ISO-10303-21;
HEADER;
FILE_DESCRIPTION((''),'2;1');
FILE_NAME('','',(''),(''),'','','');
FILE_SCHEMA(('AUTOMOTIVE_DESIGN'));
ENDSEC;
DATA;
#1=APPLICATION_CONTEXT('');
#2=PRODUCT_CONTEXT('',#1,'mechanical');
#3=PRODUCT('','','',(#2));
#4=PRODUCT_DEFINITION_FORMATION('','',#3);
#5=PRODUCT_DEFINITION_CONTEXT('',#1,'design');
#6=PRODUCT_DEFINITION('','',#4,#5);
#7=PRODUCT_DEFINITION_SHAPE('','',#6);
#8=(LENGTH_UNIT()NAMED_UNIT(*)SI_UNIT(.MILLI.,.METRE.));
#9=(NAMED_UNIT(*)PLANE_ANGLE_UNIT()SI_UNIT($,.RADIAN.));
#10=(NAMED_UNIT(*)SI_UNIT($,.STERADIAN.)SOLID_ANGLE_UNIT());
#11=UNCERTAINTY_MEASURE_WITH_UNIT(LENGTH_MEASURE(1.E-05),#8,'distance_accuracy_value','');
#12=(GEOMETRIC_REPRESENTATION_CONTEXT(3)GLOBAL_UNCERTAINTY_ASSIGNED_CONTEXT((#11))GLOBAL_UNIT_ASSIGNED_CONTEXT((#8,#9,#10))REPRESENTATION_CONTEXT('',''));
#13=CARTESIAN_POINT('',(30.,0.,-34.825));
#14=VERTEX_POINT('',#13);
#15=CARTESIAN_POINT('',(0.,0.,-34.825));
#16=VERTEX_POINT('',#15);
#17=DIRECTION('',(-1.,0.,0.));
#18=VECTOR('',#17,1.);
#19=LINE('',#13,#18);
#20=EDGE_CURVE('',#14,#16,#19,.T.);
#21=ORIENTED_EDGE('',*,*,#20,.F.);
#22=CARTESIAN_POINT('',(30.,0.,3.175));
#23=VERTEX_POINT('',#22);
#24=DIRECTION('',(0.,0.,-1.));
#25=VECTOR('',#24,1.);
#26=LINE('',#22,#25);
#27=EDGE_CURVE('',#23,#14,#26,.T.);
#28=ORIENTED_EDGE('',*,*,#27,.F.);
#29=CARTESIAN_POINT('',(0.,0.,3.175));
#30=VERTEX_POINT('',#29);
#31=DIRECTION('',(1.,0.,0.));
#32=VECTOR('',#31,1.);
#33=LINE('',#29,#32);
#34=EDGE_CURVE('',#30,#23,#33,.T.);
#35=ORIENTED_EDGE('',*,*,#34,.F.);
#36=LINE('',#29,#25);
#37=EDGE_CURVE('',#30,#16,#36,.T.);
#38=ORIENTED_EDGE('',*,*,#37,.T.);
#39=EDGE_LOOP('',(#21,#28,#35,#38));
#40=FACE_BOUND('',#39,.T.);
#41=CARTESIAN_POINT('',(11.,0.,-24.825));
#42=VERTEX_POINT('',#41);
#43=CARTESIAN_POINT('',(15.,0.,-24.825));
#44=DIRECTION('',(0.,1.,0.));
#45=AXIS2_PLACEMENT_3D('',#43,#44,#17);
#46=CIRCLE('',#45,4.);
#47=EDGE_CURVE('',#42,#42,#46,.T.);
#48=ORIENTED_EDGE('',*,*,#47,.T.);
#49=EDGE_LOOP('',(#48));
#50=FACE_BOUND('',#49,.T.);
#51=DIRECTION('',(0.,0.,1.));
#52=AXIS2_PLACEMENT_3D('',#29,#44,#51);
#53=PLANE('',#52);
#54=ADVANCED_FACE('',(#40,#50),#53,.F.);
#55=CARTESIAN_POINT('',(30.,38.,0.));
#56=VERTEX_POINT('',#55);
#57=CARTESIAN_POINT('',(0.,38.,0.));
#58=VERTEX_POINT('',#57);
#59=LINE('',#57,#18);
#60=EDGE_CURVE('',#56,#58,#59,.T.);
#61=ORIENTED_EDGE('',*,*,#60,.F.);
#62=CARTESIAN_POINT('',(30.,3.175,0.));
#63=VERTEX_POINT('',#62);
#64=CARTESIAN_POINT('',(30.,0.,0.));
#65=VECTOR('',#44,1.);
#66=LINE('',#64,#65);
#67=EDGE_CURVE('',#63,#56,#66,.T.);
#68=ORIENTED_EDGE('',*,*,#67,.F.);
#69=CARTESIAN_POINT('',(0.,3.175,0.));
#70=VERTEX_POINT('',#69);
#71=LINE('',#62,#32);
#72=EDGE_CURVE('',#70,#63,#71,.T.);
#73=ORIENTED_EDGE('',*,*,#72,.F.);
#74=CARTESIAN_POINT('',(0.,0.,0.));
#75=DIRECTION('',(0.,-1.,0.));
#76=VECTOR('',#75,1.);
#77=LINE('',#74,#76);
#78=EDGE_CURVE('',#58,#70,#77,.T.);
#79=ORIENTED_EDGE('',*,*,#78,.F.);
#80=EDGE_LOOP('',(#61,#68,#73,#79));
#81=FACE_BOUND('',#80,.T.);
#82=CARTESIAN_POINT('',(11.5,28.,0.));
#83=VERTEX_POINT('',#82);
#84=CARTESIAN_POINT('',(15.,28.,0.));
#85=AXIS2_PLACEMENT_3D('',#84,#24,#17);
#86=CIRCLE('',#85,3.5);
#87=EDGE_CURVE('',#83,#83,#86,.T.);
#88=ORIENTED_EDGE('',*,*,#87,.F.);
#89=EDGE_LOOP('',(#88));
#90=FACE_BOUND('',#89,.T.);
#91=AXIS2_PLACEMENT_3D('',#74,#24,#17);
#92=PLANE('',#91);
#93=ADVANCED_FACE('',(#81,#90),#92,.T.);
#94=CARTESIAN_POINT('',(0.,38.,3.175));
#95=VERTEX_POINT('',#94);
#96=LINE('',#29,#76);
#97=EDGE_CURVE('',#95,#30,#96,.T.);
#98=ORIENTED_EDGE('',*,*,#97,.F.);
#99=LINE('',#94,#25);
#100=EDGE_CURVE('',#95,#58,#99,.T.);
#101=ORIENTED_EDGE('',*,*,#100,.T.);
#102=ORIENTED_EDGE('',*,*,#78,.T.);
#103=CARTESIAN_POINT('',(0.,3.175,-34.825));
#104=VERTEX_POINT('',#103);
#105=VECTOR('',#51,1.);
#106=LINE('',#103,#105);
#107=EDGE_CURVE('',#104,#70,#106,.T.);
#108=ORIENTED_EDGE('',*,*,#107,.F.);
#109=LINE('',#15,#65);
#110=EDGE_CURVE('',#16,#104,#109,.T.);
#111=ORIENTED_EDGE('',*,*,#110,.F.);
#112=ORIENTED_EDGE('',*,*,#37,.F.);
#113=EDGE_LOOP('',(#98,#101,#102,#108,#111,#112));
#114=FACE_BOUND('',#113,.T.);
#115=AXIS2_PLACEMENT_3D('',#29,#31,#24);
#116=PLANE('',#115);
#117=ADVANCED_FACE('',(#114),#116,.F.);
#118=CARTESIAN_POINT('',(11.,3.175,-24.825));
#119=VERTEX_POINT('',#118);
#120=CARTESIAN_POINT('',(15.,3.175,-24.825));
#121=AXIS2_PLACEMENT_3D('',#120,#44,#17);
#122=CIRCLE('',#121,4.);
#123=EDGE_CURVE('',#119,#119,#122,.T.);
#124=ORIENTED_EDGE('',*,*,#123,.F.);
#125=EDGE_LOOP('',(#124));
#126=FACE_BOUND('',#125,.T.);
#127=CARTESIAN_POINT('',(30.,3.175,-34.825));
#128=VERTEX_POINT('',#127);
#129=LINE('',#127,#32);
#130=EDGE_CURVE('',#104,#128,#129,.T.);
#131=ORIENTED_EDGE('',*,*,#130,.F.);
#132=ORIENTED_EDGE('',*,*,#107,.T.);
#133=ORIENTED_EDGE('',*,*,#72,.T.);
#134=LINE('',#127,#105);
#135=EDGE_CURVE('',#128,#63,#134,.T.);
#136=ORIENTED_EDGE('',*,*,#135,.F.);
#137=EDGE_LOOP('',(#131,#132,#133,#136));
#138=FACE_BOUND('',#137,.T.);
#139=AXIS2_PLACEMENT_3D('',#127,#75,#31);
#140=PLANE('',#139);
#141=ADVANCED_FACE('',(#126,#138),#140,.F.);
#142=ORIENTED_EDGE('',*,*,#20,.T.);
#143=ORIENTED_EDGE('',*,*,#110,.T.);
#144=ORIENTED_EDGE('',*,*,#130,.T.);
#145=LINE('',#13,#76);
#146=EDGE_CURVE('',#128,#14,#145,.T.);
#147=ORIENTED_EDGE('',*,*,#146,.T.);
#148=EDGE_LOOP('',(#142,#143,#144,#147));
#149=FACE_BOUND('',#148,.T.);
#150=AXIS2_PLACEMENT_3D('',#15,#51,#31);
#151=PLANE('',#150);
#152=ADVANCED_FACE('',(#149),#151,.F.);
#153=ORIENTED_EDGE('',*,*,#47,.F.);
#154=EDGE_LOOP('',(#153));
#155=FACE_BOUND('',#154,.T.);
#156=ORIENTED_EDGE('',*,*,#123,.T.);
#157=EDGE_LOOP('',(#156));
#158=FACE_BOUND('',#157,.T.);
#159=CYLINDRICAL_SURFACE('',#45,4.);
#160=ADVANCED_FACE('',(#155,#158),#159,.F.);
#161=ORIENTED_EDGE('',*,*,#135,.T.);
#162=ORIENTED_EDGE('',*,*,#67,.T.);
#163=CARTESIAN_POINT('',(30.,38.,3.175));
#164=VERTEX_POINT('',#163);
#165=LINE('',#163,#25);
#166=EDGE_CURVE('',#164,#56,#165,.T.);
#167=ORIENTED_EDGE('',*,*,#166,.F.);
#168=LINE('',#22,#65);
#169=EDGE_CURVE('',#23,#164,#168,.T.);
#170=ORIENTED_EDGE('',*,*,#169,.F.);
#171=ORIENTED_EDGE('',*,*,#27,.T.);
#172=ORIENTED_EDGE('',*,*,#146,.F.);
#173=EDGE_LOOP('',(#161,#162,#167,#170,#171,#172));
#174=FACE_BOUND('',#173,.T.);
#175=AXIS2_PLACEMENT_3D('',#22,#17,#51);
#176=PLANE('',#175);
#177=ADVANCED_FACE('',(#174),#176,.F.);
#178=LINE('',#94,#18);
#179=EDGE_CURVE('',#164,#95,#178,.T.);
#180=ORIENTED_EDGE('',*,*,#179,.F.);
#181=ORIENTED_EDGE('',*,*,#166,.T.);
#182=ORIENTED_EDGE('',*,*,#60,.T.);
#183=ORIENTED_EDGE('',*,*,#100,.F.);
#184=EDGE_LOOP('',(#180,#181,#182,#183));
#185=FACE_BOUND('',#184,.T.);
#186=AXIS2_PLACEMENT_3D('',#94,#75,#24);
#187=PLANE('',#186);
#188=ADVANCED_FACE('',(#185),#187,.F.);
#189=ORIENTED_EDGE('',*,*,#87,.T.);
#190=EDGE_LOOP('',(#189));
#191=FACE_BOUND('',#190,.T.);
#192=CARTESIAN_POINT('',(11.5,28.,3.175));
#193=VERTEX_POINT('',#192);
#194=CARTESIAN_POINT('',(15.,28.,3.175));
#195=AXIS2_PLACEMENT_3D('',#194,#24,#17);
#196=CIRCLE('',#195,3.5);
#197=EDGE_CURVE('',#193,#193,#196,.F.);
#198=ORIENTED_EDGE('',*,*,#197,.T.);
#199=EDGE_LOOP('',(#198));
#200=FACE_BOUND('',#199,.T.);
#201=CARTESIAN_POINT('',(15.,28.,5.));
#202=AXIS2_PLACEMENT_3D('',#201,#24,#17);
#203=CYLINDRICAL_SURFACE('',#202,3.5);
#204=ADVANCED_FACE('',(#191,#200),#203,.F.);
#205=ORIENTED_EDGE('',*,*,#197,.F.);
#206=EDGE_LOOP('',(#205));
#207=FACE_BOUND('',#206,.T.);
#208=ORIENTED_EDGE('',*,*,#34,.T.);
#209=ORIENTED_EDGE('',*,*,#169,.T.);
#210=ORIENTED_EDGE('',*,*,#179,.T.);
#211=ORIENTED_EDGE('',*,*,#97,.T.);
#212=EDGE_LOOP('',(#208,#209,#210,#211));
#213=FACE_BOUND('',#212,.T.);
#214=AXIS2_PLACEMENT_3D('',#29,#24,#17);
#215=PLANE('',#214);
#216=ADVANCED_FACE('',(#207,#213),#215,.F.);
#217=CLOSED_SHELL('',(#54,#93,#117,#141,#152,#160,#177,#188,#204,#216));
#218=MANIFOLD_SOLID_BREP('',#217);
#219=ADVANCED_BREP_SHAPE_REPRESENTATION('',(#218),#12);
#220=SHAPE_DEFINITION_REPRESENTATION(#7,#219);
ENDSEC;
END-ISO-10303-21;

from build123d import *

# Parameters (mm, degrees)
SKETCH1_W               = 30
SKETCH1_H               = 38
BOSS_EXTRUDE1_DEPTH     = 3.175
SKETCH2_W               = 30
SKETCH2_H               = 3.175
BOSS_EXTRUDE2_DEPTH     = 34.825
SKETCH3_R               = 4
CUT_EXTRUDE1_DEPTH      = 60.638751035
SKETCH4_R               = 4
CUT_EXTRUDE2_DEPTH      = 58.667679423
CROQUIS4_R              = 4
CROQUIS4_R_2            = 3.5
SALIENTE_EXTRUIR2_DEPTH = 5
CROQUIS5_W              = 3.979032683
CROQUIS5_H              = 10.100326852
CORTAR_EXTRUIR1_DEPTH   = 36


with BuildPart() as part:
    # Sketch1 → Boss-Extrude1 (new body)
    with BuildSketch(Plane.XY):
        with Locations((15, 19)):
            Rectangle(SKETCH1_W, SKETCH1_H)
    extrude(amount=BOSS_EXTRUDE1_DEPTH)

    # Sketch2 → Boss-Extrude2 (add)
    with BuildSketch(Plane(origin=(0, 0, 0), x_dir=(-1, 0, 0), z_dir=(0, 0, -1))):
        with Locations((-15, 1.5875)):
            Rectangle(SKETCH2_W, SKETCH2_H)
    extrude(amount=BOSS_EXTRUDE2_DEPTH)

    # Sketch3 → Cut-Extrude1 (cut, through all)
    with BuildSketch(Plane(origin=(0, 0, 0), x_dir=(-1, 0, 0), z_dir=(0, 0, -1))):
        with Locations((-15, 28)):
            Circle(SKETCH3_R)
    extrude(amount=-CUT_EXTRUDE1_DEPTH, mode=Mode.SUBTRACT)

    # Sketch4 → Cut-Extrude2 (cut, through all)
    with BuildSketch(Plane(origin=(0, 3.175, 0), x_dir=(1, 0, 0), z_dir=(0, 1, 0))):
        with Locations(Location((15, 24.825, 0), (0, 0, 180))):
            Circle(SKETCH4_R)
    extrude(amount=-CUT_EXTRUDE2_DEPTH, mode=Mode.SUBTRACT)

    # Croquis4 → Saliente-Extruir2 (add)
    with BuildSketch(Plane(origin=(0, 0, 0), x_dir=(-1, 0, 0), z_dir=(0, 0, -1))):
        with Locations((-15, 28)):
            Circle(CROQUIS4_R)
        with Locations((-15, 28)):
            Circle(CROQUIS4_R_2, mode=Mode.SUBTRACT)
    extrude(amount=-SALIENTE_EXTRUIR2_DEPTH)

    # Croquis5 → Cortar-Extruir1 (cut)
    with BuildSketch(Plane.ZY):
        with Locations((5.164516342, 27.585777405)):
            Rectangle(CROQUIS5_W, CROQUIS5_H)
    extrude(amount=-CORTAR_EXTRUIR1_DEPTH, mode=Mode.SUBTRACT)


solid = part.part
